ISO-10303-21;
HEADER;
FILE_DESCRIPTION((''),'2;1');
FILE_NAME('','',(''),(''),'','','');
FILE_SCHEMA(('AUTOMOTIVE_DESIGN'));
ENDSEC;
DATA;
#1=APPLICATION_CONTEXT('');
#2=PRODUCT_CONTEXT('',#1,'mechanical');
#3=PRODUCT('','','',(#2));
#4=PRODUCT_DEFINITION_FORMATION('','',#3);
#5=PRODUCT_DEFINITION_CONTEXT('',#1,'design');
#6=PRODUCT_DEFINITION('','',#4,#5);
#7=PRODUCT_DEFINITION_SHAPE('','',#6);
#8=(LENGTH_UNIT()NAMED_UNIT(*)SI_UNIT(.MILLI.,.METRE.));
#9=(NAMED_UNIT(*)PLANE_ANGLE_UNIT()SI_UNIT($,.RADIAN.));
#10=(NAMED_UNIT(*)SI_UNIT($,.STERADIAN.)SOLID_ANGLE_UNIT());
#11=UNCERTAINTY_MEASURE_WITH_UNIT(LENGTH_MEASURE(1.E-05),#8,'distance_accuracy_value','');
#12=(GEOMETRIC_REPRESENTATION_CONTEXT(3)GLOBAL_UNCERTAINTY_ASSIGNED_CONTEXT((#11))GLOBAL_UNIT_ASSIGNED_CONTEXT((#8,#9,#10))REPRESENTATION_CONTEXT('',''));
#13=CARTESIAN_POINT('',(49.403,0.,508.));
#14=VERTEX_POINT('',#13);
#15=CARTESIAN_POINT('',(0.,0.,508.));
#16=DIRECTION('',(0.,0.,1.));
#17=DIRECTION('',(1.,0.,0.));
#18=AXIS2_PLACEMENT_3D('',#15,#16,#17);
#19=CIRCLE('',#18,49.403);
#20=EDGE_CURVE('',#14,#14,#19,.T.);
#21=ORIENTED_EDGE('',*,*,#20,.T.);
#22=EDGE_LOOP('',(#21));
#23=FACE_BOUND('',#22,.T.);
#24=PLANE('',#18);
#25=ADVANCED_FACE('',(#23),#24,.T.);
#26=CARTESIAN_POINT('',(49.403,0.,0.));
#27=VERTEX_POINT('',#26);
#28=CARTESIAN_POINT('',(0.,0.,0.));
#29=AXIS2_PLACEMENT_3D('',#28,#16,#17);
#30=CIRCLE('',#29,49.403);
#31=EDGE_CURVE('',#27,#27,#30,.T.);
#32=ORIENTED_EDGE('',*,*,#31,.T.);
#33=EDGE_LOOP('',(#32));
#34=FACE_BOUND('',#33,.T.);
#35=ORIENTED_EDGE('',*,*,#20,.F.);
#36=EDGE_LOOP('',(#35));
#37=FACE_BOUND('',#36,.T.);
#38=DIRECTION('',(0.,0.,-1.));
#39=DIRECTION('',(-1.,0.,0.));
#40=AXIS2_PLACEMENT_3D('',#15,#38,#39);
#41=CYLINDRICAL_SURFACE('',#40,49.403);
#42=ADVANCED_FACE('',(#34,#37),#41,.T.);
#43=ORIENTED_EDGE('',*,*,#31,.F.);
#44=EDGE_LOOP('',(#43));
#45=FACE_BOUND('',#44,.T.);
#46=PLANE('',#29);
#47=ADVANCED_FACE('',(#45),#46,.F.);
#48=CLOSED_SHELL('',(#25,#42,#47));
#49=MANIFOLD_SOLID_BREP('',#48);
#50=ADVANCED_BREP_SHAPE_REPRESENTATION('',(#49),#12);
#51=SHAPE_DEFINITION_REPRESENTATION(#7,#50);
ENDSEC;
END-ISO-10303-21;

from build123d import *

# Parameters (mm, degrees)
ESQUISSE2_R        = 49.403
BOSS_EXTRU_1_DEPTH = 508


with BuildPart() as part:
    # Esquisse2 → Boss.-Extru.1 (new body)
    with BuildSketch(Plane.XY):
        Circle(ESQUISSE2_R)
    extrude(amount=BOSS_EXTRU_1_DEPTH)


solid = part.part
